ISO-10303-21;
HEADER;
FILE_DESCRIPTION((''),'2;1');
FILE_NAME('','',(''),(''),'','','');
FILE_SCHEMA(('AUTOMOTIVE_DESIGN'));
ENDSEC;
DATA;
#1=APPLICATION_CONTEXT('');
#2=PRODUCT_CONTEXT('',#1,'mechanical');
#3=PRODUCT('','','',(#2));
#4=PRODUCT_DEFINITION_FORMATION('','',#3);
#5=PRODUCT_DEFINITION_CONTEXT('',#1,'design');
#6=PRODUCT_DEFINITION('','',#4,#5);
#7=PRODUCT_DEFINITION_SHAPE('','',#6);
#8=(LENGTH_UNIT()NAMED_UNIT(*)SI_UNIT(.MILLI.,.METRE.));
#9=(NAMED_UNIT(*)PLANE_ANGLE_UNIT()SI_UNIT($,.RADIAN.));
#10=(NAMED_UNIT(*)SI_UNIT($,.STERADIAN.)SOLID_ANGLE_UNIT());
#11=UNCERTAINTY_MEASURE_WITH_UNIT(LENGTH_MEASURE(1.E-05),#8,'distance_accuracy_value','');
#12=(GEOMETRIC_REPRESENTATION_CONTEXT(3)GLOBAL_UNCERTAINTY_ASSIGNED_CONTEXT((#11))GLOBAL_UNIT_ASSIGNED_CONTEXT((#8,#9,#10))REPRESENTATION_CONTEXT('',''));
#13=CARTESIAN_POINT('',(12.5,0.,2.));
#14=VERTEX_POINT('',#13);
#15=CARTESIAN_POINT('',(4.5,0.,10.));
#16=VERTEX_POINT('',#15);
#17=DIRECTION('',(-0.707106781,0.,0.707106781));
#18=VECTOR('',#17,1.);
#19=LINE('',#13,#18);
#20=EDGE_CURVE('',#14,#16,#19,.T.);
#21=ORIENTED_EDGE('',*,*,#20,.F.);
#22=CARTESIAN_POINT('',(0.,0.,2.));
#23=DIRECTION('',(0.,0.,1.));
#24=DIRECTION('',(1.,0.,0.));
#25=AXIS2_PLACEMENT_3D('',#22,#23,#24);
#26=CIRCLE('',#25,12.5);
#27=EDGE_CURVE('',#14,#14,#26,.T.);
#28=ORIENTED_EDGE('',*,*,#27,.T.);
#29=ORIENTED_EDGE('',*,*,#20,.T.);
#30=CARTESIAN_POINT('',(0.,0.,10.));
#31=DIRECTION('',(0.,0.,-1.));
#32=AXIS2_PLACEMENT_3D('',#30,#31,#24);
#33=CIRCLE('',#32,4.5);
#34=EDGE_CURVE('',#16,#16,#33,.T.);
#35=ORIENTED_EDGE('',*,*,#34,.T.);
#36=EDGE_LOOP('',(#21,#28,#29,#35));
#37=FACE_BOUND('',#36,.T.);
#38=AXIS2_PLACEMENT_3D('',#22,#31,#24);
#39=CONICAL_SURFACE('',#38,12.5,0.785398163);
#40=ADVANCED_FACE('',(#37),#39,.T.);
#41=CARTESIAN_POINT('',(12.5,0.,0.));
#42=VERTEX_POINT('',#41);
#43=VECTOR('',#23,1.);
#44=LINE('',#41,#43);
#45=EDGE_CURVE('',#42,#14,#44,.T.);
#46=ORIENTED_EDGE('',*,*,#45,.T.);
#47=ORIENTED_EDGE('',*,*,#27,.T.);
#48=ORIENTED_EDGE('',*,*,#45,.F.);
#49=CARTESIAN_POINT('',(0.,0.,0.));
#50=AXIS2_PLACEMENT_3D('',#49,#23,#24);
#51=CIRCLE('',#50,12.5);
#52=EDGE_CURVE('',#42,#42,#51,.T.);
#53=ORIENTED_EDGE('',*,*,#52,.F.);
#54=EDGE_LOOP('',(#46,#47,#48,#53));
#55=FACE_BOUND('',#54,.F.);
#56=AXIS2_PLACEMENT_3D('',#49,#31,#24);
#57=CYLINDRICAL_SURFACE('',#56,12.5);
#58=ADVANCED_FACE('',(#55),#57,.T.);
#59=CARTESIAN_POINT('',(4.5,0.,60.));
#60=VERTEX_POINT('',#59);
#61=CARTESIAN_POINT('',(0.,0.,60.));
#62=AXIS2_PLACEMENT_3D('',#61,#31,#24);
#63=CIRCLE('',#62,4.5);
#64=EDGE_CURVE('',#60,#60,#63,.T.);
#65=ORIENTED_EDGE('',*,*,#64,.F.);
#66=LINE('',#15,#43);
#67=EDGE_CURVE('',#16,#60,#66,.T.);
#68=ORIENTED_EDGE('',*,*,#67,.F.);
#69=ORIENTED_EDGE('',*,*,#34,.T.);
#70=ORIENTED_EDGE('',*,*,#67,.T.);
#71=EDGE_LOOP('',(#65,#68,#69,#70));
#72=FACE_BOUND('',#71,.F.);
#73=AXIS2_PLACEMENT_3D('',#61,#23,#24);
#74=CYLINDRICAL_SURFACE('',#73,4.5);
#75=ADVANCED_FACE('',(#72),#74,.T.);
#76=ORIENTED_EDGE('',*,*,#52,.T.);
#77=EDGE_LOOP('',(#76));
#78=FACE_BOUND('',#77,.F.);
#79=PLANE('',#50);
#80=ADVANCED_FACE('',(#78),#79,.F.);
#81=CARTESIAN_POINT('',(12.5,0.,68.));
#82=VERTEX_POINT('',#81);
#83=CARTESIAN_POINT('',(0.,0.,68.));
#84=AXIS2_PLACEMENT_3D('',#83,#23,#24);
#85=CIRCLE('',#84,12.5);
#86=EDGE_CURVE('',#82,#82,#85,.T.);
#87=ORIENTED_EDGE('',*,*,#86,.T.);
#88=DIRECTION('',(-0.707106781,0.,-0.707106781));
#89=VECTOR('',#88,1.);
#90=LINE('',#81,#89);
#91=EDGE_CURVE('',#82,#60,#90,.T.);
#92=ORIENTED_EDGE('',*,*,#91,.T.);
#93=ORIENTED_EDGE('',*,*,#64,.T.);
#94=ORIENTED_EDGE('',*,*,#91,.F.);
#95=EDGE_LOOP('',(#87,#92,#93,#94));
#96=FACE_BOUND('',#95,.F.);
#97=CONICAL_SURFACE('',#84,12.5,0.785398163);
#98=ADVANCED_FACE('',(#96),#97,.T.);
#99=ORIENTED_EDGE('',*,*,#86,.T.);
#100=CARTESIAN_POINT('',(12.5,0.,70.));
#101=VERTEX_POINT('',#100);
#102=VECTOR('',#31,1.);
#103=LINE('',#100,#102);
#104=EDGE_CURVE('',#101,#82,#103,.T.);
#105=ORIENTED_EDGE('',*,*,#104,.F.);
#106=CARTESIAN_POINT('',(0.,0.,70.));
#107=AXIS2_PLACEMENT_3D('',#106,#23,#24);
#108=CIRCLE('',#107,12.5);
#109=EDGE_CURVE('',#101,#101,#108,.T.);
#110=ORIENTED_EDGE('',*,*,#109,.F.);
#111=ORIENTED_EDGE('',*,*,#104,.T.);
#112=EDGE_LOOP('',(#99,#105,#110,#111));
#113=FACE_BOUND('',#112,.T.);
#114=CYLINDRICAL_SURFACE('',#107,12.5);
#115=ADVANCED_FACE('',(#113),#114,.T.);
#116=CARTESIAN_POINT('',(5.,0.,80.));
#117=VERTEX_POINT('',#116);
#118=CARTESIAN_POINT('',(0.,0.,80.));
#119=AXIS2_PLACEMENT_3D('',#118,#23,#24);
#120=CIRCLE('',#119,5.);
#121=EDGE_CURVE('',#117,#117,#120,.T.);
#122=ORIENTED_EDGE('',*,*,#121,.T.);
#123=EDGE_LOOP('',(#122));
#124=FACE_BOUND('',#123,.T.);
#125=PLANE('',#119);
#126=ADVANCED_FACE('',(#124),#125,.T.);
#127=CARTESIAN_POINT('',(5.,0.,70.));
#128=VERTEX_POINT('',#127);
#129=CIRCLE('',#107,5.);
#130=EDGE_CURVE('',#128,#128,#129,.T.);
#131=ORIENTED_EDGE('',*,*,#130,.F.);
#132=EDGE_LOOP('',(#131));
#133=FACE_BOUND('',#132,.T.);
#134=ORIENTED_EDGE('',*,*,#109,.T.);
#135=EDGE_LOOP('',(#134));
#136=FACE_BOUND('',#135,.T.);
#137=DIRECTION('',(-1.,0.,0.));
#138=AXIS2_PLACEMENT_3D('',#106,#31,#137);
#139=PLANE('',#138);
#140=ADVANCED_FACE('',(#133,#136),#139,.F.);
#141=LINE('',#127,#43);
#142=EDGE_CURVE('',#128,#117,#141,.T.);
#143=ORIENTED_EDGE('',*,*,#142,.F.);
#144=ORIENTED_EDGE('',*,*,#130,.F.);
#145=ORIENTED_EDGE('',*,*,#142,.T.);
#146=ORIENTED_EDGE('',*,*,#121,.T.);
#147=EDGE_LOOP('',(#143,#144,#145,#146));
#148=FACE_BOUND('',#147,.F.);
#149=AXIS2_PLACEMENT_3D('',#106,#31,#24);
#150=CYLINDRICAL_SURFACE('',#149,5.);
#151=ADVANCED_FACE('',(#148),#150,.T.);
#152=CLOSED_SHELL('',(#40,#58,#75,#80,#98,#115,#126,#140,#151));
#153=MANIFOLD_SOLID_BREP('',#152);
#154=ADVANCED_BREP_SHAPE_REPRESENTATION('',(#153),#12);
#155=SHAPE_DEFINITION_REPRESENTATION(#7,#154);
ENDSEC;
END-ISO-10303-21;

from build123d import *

# Parameters (mm, degrees)
F0_R      = 12.5
F1_DEPTH  = 2
F1_FACE_R = 12.5
F2_DEPTH  = 8
F2_TAPER  = 45
F3_DEPTH  = 25
F5_R      = 5
F6_DEPTH  = 10


with BuildPart() as f1:
    # F0 (on Top) → F1 (new body)
    with BuildSketch(Plane.XY):
        Circle(F0_R)
    extrude(amount=F1_DEPTH)

    # F1_face (on face) → F2 (join)
    with BuildSketch(Plane.XY.offset(2)):
        Circle(F1_FACE_R)
    extrude(amount=F2_DEPTH, taper=F2_TAPER)

    # F3 (add): a face of the model
    f3_faces = [f1.faces().sort_by_distance(p)[0] for p in [
        (0, 0, 10),
    ]]
    extrude(f3_faces, amount=F3_DEPTH)

    # F4: F1 across face


with BuildPart() as f1_1:
    add(f1.part)
    add(f1.part.mirror(Plane.XY.offset(35)))

    # F5 (on face) → F6 (join)
    with BuildSketch(Plane.XY.offset(70)):
        Circle(F5_R)
    extrude(amount=F6_DEPTH)


solid = f1_1.part
